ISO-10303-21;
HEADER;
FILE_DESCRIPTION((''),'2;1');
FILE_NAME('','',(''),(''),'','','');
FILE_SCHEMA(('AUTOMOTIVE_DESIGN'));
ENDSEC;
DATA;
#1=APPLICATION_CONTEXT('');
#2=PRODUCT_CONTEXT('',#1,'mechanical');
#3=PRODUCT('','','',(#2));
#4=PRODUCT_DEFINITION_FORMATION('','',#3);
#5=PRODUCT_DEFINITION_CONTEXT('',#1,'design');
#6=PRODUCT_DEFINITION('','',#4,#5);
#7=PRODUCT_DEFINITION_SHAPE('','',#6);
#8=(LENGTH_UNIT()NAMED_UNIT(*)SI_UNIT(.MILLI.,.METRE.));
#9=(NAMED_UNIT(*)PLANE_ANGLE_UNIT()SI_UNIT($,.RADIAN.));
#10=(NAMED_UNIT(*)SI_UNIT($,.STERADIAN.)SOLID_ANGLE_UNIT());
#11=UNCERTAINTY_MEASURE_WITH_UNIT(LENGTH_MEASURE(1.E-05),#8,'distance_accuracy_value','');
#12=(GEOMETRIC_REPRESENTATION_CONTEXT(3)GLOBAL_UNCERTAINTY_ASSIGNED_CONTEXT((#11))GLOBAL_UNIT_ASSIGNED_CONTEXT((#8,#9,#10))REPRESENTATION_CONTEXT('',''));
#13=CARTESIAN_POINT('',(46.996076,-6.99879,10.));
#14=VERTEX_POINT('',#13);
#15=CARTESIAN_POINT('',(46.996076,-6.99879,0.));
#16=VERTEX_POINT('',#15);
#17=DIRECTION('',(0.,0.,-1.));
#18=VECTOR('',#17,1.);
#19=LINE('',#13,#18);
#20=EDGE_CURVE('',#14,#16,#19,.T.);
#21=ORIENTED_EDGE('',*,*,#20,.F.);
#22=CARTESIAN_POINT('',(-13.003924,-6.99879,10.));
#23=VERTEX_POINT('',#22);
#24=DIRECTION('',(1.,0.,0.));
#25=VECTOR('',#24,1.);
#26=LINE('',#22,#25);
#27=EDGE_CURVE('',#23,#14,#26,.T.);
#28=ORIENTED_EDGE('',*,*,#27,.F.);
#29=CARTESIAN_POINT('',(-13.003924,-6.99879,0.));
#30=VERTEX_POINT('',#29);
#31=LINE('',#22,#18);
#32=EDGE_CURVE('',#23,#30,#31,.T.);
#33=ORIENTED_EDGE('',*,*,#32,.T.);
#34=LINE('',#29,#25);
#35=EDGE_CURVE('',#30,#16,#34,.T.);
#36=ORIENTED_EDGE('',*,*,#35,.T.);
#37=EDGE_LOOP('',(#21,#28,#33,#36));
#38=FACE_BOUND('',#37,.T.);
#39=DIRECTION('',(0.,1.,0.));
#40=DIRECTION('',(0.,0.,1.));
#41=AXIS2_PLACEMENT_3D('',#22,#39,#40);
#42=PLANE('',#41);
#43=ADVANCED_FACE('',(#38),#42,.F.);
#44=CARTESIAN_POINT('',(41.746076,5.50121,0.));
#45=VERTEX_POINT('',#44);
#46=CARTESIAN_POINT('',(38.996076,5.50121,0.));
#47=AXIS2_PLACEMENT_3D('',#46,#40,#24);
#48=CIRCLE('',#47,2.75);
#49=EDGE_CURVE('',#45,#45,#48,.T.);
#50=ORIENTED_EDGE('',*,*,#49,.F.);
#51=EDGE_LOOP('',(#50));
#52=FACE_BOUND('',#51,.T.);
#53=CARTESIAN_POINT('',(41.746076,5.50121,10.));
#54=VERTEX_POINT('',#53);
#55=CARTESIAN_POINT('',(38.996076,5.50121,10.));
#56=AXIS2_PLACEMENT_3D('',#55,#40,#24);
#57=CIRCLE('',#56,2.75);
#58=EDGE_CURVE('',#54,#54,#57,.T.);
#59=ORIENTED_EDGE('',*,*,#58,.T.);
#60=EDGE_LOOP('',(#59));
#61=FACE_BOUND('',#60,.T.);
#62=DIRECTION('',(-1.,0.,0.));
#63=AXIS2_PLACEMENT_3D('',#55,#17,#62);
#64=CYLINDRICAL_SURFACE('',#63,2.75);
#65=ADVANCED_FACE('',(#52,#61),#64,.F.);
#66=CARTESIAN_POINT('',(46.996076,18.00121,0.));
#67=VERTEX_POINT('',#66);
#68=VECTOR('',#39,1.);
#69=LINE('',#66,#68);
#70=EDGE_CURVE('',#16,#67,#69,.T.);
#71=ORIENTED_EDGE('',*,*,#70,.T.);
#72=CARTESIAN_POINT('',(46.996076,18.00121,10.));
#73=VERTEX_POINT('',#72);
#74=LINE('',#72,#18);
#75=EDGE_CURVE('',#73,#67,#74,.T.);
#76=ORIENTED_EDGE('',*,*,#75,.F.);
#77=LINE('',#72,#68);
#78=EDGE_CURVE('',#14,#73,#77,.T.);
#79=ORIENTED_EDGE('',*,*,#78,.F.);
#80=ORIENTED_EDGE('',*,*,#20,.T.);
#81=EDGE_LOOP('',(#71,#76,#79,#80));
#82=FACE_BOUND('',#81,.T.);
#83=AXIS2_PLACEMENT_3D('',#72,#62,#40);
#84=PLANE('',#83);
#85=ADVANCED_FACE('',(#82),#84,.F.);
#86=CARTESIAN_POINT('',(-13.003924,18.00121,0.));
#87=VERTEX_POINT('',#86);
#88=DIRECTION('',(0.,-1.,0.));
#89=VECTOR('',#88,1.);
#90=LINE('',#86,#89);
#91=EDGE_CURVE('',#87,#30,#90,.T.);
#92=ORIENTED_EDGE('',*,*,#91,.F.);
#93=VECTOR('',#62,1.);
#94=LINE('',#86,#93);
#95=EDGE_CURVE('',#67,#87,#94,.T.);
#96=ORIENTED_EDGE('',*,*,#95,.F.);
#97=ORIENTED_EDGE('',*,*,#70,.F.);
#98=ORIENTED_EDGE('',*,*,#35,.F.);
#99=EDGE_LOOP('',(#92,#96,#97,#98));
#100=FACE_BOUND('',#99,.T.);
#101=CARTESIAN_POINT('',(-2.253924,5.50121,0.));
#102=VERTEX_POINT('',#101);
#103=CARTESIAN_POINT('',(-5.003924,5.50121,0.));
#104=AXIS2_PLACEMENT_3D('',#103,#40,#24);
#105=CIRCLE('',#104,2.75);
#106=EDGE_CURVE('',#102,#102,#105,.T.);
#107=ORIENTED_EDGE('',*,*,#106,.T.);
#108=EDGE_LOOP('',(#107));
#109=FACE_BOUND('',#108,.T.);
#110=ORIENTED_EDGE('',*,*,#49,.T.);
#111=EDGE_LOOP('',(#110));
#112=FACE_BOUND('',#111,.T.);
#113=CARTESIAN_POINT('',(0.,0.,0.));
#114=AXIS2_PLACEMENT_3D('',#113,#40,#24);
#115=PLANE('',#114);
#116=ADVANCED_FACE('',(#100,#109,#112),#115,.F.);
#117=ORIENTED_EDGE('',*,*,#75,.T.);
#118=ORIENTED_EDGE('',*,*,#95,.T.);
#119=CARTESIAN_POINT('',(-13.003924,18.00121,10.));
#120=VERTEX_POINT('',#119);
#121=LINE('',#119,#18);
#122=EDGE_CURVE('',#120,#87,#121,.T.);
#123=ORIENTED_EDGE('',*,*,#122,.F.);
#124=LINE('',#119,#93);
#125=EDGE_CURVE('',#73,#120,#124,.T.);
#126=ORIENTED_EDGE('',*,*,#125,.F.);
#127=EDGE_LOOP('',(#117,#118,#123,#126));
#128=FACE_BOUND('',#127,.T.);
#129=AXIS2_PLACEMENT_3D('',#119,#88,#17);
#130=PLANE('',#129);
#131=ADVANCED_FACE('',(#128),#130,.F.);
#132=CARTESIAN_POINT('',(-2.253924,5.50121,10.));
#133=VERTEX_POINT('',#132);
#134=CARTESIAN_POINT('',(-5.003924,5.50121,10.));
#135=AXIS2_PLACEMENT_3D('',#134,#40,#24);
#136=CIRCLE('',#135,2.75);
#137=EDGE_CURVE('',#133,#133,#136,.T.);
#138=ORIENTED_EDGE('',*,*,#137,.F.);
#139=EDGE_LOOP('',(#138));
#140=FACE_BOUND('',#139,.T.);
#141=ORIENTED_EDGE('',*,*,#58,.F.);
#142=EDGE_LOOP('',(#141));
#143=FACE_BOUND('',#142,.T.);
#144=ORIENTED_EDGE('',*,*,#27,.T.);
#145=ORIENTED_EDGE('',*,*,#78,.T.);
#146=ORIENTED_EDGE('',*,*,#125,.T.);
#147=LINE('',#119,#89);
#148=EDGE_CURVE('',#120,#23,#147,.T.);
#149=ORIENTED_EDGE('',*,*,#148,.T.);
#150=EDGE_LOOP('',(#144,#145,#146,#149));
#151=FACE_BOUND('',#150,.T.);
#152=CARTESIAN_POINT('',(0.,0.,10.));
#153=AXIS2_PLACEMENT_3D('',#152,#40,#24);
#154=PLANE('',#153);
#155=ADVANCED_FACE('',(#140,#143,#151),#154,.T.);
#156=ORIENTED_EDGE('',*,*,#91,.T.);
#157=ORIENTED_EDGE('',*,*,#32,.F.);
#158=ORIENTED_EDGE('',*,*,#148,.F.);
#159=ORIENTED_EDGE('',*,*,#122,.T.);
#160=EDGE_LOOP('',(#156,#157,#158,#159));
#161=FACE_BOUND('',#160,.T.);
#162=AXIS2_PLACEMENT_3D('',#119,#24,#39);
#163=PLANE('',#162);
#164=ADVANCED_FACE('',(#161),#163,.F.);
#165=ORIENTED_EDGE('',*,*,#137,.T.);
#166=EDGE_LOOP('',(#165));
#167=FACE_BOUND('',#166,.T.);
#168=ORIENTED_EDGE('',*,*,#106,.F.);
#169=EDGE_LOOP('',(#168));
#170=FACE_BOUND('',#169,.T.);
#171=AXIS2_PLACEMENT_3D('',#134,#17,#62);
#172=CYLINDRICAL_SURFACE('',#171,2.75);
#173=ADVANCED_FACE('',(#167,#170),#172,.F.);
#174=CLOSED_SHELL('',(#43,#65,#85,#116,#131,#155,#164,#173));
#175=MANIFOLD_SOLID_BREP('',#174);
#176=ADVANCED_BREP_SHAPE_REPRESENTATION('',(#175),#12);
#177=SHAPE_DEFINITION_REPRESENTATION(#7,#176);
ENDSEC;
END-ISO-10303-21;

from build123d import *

# Parameters (mm, degrees)
SKETCH_1_W      = 60
SKETCH_1_H      = 25
SKETCH_1_R      = 2.75
EXTRUDE_1_DEPTH = 10


with BuildPart() as part:
    # 草圖1 → 填料-伸長1 (new body)
    with BuildSketch(Plane.XY):
        with Locations((16.99607615, 5.50121042)):
            Rectangle(SKETCH_1_W, SKETCH_1_H)
        with Locations((-5.00392385, 5.50121042)):
            Circle(SKETCH_1_R, mode=Mode.SUBTRACT)
        with Locations((38.99607615, 5.50121042)):
            Circle(SKETCH_1_R, mode=Mode.SUBTRACT)
    extrude(amount=EXTRUDE_1_DEPTH)


solid = part.part
